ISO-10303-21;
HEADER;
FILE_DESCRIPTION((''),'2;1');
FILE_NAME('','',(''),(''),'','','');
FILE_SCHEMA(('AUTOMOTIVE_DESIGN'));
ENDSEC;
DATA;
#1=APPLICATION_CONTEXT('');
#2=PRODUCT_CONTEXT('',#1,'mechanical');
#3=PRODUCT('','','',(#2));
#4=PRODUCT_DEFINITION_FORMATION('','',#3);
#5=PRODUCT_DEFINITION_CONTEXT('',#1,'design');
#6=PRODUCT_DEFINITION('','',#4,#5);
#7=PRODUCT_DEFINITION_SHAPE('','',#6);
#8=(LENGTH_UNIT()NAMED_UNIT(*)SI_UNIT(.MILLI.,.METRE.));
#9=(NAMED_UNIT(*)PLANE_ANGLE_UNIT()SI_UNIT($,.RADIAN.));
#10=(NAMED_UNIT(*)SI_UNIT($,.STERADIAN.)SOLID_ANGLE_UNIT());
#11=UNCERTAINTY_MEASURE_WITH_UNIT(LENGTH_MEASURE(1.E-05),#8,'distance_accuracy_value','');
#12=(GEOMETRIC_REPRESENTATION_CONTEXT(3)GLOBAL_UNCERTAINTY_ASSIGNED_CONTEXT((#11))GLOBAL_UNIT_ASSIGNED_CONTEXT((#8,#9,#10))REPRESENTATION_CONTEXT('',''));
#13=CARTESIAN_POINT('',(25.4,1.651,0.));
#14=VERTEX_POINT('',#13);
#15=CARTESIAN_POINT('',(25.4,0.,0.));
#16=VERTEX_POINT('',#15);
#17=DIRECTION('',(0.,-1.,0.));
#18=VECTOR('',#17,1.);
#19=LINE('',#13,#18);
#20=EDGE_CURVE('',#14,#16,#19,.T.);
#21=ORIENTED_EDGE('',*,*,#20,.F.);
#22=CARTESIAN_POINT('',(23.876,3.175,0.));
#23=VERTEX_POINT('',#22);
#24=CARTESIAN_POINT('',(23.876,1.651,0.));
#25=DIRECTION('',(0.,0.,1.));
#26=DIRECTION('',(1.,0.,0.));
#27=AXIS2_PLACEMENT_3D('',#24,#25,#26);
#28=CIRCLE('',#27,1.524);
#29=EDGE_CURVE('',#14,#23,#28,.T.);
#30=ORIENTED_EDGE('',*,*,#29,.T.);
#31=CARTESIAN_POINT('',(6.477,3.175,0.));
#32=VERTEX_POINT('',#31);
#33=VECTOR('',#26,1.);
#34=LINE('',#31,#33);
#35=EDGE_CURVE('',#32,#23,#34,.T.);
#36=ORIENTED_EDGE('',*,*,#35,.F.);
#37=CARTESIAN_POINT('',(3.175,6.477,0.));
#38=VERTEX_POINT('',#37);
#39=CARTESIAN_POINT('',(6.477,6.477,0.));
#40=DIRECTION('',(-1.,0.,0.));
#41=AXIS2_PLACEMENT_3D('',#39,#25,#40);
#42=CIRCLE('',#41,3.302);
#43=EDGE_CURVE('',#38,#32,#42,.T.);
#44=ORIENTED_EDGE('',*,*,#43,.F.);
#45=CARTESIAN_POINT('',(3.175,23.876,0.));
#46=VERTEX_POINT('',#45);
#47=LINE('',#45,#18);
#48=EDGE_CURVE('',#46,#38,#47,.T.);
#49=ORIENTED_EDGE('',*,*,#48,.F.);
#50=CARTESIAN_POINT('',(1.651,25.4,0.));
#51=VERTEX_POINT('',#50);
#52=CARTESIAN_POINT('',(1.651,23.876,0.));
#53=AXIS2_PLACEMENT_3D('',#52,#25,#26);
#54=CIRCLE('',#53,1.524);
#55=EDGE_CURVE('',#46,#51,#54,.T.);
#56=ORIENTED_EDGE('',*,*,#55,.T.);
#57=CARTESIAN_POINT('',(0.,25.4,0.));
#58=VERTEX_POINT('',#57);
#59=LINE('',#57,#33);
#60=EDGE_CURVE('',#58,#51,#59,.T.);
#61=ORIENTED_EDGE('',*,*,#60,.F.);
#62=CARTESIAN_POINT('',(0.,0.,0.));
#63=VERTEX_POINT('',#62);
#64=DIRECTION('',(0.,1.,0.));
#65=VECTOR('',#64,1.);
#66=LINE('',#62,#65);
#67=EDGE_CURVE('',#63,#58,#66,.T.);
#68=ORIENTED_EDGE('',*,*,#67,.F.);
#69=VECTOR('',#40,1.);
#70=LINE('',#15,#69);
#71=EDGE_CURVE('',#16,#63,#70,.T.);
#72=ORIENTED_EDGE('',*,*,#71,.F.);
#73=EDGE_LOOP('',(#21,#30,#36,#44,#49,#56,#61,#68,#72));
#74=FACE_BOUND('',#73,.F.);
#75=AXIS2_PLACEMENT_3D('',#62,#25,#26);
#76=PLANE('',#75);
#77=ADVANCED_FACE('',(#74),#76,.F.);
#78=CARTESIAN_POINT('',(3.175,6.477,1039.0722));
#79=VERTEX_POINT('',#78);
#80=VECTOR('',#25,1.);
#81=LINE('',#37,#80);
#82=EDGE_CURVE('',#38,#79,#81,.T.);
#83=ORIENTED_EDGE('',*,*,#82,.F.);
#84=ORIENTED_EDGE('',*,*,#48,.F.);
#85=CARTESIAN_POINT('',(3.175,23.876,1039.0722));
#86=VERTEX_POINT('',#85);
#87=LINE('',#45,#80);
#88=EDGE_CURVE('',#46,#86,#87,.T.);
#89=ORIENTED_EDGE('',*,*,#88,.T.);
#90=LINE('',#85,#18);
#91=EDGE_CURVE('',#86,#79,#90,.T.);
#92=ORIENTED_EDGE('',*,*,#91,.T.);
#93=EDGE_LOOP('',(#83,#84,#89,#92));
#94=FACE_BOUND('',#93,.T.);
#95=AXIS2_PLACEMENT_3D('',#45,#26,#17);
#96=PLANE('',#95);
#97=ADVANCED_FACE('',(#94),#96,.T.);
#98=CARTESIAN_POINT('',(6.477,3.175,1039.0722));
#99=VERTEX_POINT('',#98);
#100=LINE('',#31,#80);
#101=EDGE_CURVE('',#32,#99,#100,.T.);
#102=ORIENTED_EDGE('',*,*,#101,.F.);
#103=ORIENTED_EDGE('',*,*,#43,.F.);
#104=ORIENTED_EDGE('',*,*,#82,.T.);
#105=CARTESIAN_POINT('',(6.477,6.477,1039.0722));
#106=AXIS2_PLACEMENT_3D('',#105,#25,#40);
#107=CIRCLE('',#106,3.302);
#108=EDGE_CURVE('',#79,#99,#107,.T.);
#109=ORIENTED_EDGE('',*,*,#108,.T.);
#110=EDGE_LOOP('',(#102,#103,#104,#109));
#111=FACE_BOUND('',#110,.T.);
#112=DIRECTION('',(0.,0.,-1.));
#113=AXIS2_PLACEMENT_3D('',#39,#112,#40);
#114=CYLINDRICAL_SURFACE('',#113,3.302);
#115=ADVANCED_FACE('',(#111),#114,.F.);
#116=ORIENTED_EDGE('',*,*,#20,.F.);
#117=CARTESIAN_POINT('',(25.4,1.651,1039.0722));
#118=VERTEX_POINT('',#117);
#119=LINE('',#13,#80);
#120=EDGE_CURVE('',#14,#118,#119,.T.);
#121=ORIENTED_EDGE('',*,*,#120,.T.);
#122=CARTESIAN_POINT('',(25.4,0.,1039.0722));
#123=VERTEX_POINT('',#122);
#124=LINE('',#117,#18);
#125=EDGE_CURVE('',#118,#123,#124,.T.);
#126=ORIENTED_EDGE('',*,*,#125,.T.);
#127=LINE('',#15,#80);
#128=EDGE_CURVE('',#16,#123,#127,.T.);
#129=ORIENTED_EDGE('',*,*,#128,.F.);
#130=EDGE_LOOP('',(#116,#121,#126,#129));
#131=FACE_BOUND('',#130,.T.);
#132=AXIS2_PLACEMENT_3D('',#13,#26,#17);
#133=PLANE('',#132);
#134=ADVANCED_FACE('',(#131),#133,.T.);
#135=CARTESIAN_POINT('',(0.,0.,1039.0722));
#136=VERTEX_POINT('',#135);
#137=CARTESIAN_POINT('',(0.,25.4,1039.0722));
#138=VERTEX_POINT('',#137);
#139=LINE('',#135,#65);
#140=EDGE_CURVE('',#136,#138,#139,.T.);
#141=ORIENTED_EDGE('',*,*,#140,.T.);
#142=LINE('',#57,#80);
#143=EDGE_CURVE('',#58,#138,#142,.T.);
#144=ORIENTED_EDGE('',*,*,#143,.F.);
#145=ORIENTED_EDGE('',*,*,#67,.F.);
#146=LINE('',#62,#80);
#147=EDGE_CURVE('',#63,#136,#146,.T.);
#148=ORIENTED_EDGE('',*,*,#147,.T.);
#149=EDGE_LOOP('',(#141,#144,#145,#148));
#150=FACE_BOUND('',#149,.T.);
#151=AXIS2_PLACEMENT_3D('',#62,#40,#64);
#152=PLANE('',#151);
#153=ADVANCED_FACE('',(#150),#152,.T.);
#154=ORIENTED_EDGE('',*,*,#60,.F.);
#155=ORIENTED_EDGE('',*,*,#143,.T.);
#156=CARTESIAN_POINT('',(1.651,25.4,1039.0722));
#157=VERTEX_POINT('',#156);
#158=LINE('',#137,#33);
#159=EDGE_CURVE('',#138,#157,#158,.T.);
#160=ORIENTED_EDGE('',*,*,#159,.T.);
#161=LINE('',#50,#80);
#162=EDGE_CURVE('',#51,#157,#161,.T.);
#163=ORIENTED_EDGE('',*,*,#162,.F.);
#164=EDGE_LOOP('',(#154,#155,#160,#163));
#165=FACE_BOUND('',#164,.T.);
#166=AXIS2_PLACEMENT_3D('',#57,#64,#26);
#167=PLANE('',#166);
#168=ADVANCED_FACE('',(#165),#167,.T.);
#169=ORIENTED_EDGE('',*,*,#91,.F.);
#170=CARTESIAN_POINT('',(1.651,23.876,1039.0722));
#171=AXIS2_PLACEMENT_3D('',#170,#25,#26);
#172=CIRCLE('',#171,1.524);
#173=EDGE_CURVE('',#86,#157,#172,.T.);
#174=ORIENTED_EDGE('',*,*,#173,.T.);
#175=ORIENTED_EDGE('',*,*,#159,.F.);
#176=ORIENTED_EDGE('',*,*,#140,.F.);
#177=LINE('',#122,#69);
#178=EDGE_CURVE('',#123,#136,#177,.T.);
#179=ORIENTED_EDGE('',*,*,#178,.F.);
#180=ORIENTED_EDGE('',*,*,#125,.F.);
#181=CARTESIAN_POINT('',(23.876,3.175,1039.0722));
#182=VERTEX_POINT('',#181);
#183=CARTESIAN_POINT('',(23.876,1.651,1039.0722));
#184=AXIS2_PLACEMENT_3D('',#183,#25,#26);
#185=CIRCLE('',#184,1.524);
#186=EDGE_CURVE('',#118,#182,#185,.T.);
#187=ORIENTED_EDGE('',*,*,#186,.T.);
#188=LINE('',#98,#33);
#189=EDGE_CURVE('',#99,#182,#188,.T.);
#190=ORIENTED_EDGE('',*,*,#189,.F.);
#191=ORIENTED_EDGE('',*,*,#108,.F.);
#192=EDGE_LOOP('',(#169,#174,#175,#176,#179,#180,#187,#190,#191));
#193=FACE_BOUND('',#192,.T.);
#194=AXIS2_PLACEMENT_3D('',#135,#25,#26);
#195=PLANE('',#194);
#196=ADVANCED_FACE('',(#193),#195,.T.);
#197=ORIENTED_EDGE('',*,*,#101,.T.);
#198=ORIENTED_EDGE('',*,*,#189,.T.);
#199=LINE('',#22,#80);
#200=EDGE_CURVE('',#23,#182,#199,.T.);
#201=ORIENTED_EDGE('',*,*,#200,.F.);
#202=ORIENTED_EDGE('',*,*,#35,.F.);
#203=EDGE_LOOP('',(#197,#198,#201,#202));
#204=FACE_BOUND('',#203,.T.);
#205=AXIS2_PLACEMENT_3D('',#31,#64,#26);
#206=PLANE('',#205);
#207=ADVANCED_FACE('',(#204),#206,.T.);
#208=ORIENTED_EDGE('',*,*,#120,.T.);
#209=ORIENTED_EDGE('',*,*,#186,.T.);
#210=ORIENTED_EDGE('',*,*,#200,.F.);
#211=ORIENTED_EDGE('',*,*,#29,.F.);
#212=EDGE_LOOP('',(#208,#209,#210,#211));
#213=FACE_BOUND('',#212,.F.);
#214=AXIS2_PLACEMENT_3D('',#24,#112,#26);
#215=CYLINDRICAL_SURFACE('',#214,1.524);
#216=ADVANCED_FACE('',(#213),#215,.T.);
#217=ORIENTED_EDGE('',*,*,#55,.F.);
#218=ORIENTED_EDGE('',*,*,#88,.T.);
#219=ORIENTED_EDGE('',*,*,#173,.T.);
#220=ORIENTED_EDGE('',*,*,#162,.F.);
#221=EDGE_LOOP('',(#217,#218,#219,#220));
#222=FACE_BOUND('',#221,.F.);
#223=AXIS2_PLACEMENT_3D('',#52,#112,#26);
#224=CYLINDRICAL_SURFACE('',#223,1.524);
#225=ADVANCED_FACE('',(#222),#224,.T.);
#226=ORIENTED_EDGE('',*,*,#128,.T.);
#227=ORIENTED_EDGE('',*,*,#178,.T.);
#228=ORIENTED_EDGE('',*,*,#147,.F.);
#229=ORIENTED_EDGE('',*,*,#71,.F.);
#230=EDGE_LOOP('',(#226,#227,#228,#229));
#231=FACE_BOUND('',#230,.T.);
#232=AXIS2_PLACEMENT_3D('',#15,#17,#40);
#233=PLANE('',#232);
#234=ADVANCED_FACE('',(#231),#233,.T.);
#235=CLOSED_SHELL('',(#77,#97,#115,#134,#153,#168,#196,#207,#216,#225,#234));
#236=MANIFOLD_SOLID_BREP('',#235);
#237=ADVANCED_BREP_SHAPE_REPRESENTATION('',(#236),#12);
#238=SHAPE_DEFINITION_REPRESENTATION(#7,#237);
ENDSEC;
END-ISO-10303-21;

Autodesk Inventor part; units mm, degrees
ref_plane "YZ Plane" through (0, 0, 0) normal (1, 0, 0) x (0, 1, 0)
ref_plane "Start Plane" through (0, 0, 0) normal (0, 0, 1) x (1, 0, 0)
ref_plane "End Plane" through (0, 0, 1039.0722) normal (0, 0, 1) x (1, 0, 0)
sketch "Sketch" plane through (0, 0, 0) normal (0, 0, 1) x (1, 0, 0)
  line L0 (25.4, 0) -> (0, 0)
  line L1 (0, 0) -> (0, 25.4)
  line L2 (0, 25.4) -> (1.651, 25.4)
  line L3 (3.175, 23.876) -> (3.175, 6.477)
  line L4 (6.477, 3.175) -> (23.876, 3.175)
  line L5 (25.4, 1.651) -> (25.4, 0)
  line L6 (0, -11.0414) -> (0, 31.5385) construction
  line L7 (-11.0414, 0) -> (31.5385, 0) construction
  arc A0 (3.175, 6.477) -> (6.477, 3.175) centre (6.477, 6.477) ccw
  arc A1 (3.175, 23.876) -> (1.651, 25.4) centre (1.651, 23.876) ccw
  arc A2 (25.4, 1.651) -> (23.876, 3.175) centre (23.876, 1.651) ccw
  line L8 (0, 40.0545) -> (0, -19.5574) construction
  line L9 (-19.5574, 0) -> (40.0545, 0) construction
  point P0 (3.175, 25.4)
  point P1 (3.175, 3.175)
  point P2 (25.4, 3.175)
  dimension "d0" = 25.4
  dimension "d1" = 25.4
  dimension "d2" = 3.175
  dimension "d3" = 3.175
  dimension "d10" = 0
  dimension "d11" = 0
  dimension "d14" = 3.302
  dimension "d15" = 1.524
extrude "Body" add sketch "Sketch" along normal up to surface (1039.0722 mm away) from surface at 0
sketch "Sketch3" plane through (0, 0, 0) normal (0, 0, 1) x (1, 0, 0)
  line L0 (0, 0) -> (10, 0)
ref_plane "Work Plane3" through (0, 0, 0) normal (0, -1, 0) x (1, 0, 0)
sketch "Sketch4" plane through (0, 0, 0) normal (0, -1, 0) x (1, 0, 0)
  line L0 (-2, 0) -> (12, 0) projected
  line L1 (-2, 1039.0722) -> (12, 1039.0722) projected
  dimension "d17" = 1039.0722
equation "\"d0\" = G_H"
equation "\"d1\" = G_H"
equation "\"d2\" = G_T"
equation "\"d3\" = G_T"
equation "\"d14\" = G_IR"
equation "\"d15\" = G_ER"
equation "\"d4\" = G_L"
equation "\"G_H\" = 25.4"
equation "\"G_T\" = 3.175"
equation "\"G_ER\" = 1.524"
equation "\"G_IR\" = 3.302"
equation "\"G_L\" = d17"
equation "\"ex\" = 0"
equation "\"G_OFFSET_START\" = 0"
equation "\"G_OFFSET_END\" = 0"
equation "\"d13\" = G_OFFSET_END + B_L"
equation "\"B_L\" = 1039.07216"
properties part number "AISC - L 1 x 1 x 1/8 - 40.908" material "Steel, Mild"
